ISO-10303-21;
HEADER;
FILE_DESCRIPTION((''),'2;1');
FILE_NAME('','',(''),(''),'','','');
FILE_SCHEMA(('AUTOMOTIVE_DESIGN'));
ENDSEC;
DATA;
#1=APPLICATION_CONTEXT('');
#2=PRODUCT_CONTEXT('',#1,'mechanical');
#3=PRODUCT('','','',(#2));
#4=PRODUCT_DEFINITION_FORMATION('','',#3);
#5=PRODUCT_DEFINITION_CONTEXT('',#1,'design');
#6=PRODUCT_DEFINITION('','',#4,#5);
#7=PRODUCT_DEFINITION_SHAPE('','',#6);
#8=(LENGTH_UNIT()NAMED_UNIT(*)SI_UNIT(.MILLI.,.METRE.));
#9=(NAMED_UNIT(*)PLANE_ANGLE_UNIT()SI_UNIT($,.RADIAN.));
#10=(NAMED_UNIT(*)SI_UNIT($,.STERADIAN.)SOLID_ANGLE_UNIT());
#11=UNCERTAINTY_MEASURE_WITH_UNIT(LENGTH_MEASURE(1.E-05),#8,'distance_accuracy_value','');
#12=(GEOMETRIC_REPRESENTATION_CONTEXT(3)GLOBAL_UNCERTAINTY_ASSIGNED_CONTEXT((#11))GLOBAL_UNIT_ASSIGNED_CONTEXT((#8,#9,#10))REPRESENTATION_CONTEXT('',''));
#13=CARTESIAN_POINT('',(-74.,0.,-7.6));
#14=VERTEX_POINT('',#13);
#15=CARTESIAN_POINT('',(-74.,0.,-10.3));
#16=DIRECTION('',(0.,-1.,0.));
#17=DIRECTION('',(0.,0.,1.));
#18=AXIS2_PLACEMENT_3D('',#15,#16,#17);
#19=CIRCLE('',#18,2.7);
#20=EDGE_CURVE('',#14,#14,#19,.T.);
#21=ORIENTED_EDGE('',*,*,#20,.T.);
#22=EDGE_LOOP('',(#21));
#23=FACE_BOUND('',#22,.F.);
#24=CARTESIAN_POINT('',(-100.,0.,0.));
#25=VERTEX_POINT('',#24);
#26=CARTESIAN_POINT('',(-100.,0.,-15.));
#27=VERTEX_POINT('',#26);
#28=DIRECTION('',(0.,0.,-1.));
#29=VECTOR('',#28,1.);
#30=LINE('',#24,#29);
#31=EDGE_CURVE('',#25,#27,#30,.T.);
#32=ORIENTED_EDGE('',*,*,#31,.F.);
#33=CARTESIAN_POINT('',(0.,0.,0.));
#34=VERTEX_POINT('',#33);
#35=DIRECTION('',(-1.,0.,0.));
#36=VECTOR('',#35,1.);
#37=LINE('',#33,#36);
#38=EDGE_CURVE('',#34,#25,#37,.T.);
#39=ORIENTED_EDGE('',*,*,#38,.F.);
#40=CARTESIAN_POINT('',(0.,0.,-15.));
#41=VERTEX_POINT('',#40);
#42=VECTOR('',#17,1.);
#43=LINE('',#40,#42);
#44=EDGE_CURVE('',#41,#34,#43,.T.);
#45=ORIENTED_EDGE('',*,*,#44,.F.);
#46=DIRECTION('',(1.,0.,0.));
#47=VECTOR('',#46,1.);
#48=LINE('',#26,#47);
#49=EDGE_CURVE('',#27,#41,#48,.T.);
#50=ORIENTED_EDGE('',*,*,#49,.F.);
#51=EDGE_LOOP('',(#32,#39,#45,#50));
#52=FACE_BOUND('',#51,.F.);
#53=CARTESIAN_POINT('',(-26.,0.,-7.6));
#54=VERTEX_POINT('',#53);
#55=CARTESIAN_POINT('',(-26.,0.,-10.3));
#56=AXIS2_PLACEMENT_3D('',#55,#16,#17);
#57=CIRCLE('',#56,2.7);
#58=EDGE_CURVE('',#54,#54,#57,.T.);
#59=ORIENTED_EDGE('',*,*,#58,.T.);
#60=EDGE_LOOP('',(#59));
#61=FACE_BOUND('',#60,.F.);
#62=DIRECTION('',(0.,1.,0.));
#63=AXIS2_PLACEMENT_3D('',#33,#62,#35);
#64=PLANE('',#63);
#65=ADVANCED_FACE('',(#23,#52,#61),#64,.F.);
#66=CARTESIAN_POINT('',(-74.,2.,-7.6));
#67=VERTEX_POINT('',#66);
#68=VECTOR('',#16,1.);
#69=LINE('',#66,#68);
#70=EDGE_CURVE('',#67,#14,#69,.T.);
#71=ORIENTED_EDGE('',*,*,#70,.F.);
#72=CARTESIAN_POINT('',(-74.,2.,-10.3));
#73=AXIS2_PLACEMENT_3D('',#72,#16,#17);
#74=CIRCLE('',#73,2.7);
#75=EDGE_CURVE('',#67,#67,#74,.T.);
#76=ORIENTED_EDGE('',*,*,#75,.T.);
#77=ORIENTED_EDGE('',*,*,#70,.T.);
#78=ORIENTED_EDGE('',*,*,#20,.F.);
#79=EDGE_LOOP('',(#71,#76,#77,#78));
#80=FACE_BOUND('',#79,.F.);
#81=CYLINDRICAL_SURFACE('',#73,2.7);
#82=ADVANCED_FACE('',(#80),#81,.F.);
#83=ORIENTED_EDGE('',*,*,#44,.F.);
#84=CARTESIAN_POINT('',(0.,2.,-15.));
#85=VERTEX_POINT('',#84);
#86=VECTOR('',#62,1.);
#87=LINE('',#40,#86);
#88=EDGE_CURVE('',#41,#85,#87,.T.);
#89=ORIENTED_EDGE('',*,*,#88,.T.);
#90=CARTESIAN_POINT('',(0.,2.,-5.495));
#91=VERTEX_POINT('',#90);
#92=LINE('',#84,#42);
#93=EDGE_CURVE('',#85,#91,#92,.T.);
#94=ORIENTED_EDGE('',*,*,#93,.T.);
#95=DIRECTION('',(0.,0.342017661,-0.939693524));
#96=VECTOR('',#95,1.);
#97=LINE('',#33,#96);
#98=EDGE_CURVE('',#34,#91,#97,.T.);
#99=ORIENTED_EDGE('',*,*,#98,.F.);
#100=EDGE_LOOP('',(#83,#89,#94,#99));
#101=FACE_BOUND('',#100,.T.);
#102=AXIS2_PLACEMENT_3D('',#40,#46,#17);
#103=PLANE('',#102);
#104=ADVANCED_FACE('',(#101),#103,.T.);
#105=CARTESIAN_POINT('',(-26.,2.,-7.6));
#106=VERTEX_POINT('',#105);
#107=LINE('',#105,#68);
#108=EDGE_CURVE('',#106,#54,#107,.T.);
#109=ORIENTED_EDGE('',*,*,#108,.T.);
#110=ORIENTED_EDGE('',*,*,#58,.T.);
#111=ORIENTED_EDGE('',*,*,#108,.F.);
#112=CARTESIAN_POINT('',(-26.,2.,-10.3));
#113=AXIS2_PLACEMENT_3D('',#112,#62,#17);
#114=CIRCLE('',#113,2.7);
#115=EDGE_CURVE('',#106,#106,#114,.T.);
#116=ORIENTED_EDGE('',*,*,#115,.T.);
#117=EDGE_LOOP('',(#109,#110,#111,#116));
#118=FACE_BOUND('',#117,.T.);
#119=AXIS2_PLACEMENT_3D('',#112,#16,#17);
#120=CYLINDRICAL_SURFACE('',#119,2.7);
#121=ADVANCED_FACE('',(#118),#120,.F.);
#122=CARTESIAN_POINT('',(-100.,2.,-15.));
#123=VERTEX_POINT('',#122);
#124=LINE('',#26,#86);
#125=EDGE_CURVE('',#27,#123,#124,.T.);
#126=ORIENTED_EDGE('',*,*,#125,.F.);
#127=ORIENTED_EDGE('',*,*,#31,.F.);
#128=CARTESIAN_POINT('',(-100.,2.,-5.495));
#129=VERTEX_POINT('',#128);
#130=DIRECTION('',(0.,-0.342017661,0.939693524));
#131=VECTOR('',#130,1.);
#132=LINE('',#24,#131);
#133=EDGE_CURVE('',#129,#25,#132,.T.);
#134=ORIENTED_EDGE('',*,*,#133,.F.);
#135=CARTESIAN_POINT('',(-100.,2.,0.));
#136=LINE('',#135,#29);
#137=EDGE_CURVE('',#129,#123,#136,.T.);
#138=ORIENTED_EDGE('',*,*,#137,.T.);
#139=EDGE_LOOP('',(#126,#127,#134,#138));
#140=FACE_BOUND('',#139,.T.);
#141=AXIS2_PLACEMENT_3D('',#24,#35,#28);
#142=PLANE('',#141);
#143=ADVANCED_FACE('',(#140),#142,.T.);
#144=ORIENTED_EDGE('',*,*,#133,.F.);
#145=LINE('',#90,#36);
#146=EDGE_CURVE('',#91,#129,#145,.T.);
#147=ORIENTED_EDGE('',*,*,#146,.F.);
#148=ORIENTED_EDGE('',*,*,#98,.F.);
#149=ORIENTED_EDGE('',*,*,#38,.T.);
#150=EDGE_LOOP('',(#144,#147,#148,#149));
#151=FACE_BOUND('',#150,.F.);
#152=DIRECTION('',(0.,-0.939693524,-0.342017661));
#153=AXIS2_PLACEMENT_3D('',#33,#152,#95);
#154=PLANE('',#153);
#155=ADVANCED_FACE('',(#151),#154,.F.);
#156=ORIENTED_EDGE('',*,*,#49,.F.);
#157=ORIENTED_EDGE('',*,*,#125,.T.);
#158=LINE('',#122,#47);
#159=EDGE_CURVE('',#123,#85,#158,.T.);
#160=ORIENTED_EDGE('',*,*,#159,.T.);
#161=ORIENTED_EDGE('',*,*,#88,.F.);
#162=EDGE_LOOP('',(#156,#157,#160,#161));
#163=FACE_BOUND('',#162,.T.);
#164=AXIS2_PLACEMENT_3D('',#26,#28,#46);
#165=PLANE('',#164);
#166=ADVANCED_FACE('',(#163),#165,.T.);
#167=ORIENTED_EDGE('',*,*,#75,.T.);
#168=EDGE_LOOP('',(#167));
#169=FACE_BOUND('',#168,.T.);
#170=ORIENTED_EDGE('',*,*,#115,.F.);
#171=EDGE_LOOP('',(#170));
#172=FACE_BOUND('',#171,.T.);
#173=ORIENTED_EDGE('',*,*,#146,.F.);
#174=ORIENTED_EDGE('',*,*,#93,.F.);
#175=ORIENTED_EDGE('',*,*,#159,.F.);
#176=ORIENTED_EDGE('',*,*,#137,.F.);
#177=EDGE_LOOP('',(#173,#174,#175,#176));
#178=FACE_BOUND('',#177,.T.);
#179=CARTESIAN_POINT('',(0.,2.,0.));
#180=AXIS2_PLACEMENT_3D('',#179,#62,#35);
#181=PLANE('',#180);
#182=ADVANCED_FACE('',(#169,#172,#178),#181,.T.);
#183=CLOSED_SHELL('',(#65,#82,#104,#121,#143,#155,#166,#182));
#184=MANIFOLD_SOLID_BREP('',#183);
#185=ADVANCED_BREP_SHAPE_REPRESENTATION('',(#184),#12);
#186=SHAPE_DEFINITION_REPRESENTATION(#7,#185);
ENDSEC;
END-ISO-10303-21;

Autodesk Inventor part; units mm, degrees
ref_plane "YZ Plane" through (0, 0, 0) normal (1, 0, 0) x (0, 1, 0)
ref_plane "XZ Plane" through (0, 0, 0) normal (0, 1, 0) x (-1, 0, 0)
sketch "Sketch1" plane through (0, 0, 0) normal (0, 1, 0) x (-1, 0, 0)
  line L0 (0, 0) -> (100, 0)
  line L1 (100, 0) -> (100, -15)
  line L2 (100, -15) -> (0, -15)
  line L3 (0, -15) -> (0, 0)
  dimension "d0" = 100
  dimension "d1" = 15
extrude "Extrusion1" add sketch "Sketch1" along normal blind 2
sketch "Sketch2" plane through (0, 0, 0) normal (1, 0, 0) x (0, 0, -1)
  line L0 (0, 0) -> (0, 2) projected
  line L1 (0, 0) -> (5.495, 2)
  line L2 (5.495, 2) -> (5.495, 0)
  line L3 (5.495, 0) -> (0, 0)
  line L4 (0, 2) -> (15, 2) projected
  dimension "d4" = 20
extrude "Extrusion2" cut sketch "Sketch2" against normal through all contours L0 L4 L1
sketch "Sketch3" plane through (0, 2, 0) normal (0, 1, 0) x (1, 0, 0)
  line L0 (-100, 15) -> (-100, 5.495) projected
  point P0 (0, 0)
  point P1 (-74, 10.3)
  point P2 (-100, 10.2475)
  dimension "d14" = 26
  dimension "d15" = 4.7
hole "Hole1" at (-74, 2, -10.3) direction (0, -1, 0) diameter 5.4 depth 5.83
ref_plane "Work Plane1" through (-50, 0, -15) normal (1, 0, 0) x (0, 0, -1)
mirror "Mirror1" about plane through (-50, 0, -15) normal (1, 0, 0) of "Hole1"
properties part number "Blade"
